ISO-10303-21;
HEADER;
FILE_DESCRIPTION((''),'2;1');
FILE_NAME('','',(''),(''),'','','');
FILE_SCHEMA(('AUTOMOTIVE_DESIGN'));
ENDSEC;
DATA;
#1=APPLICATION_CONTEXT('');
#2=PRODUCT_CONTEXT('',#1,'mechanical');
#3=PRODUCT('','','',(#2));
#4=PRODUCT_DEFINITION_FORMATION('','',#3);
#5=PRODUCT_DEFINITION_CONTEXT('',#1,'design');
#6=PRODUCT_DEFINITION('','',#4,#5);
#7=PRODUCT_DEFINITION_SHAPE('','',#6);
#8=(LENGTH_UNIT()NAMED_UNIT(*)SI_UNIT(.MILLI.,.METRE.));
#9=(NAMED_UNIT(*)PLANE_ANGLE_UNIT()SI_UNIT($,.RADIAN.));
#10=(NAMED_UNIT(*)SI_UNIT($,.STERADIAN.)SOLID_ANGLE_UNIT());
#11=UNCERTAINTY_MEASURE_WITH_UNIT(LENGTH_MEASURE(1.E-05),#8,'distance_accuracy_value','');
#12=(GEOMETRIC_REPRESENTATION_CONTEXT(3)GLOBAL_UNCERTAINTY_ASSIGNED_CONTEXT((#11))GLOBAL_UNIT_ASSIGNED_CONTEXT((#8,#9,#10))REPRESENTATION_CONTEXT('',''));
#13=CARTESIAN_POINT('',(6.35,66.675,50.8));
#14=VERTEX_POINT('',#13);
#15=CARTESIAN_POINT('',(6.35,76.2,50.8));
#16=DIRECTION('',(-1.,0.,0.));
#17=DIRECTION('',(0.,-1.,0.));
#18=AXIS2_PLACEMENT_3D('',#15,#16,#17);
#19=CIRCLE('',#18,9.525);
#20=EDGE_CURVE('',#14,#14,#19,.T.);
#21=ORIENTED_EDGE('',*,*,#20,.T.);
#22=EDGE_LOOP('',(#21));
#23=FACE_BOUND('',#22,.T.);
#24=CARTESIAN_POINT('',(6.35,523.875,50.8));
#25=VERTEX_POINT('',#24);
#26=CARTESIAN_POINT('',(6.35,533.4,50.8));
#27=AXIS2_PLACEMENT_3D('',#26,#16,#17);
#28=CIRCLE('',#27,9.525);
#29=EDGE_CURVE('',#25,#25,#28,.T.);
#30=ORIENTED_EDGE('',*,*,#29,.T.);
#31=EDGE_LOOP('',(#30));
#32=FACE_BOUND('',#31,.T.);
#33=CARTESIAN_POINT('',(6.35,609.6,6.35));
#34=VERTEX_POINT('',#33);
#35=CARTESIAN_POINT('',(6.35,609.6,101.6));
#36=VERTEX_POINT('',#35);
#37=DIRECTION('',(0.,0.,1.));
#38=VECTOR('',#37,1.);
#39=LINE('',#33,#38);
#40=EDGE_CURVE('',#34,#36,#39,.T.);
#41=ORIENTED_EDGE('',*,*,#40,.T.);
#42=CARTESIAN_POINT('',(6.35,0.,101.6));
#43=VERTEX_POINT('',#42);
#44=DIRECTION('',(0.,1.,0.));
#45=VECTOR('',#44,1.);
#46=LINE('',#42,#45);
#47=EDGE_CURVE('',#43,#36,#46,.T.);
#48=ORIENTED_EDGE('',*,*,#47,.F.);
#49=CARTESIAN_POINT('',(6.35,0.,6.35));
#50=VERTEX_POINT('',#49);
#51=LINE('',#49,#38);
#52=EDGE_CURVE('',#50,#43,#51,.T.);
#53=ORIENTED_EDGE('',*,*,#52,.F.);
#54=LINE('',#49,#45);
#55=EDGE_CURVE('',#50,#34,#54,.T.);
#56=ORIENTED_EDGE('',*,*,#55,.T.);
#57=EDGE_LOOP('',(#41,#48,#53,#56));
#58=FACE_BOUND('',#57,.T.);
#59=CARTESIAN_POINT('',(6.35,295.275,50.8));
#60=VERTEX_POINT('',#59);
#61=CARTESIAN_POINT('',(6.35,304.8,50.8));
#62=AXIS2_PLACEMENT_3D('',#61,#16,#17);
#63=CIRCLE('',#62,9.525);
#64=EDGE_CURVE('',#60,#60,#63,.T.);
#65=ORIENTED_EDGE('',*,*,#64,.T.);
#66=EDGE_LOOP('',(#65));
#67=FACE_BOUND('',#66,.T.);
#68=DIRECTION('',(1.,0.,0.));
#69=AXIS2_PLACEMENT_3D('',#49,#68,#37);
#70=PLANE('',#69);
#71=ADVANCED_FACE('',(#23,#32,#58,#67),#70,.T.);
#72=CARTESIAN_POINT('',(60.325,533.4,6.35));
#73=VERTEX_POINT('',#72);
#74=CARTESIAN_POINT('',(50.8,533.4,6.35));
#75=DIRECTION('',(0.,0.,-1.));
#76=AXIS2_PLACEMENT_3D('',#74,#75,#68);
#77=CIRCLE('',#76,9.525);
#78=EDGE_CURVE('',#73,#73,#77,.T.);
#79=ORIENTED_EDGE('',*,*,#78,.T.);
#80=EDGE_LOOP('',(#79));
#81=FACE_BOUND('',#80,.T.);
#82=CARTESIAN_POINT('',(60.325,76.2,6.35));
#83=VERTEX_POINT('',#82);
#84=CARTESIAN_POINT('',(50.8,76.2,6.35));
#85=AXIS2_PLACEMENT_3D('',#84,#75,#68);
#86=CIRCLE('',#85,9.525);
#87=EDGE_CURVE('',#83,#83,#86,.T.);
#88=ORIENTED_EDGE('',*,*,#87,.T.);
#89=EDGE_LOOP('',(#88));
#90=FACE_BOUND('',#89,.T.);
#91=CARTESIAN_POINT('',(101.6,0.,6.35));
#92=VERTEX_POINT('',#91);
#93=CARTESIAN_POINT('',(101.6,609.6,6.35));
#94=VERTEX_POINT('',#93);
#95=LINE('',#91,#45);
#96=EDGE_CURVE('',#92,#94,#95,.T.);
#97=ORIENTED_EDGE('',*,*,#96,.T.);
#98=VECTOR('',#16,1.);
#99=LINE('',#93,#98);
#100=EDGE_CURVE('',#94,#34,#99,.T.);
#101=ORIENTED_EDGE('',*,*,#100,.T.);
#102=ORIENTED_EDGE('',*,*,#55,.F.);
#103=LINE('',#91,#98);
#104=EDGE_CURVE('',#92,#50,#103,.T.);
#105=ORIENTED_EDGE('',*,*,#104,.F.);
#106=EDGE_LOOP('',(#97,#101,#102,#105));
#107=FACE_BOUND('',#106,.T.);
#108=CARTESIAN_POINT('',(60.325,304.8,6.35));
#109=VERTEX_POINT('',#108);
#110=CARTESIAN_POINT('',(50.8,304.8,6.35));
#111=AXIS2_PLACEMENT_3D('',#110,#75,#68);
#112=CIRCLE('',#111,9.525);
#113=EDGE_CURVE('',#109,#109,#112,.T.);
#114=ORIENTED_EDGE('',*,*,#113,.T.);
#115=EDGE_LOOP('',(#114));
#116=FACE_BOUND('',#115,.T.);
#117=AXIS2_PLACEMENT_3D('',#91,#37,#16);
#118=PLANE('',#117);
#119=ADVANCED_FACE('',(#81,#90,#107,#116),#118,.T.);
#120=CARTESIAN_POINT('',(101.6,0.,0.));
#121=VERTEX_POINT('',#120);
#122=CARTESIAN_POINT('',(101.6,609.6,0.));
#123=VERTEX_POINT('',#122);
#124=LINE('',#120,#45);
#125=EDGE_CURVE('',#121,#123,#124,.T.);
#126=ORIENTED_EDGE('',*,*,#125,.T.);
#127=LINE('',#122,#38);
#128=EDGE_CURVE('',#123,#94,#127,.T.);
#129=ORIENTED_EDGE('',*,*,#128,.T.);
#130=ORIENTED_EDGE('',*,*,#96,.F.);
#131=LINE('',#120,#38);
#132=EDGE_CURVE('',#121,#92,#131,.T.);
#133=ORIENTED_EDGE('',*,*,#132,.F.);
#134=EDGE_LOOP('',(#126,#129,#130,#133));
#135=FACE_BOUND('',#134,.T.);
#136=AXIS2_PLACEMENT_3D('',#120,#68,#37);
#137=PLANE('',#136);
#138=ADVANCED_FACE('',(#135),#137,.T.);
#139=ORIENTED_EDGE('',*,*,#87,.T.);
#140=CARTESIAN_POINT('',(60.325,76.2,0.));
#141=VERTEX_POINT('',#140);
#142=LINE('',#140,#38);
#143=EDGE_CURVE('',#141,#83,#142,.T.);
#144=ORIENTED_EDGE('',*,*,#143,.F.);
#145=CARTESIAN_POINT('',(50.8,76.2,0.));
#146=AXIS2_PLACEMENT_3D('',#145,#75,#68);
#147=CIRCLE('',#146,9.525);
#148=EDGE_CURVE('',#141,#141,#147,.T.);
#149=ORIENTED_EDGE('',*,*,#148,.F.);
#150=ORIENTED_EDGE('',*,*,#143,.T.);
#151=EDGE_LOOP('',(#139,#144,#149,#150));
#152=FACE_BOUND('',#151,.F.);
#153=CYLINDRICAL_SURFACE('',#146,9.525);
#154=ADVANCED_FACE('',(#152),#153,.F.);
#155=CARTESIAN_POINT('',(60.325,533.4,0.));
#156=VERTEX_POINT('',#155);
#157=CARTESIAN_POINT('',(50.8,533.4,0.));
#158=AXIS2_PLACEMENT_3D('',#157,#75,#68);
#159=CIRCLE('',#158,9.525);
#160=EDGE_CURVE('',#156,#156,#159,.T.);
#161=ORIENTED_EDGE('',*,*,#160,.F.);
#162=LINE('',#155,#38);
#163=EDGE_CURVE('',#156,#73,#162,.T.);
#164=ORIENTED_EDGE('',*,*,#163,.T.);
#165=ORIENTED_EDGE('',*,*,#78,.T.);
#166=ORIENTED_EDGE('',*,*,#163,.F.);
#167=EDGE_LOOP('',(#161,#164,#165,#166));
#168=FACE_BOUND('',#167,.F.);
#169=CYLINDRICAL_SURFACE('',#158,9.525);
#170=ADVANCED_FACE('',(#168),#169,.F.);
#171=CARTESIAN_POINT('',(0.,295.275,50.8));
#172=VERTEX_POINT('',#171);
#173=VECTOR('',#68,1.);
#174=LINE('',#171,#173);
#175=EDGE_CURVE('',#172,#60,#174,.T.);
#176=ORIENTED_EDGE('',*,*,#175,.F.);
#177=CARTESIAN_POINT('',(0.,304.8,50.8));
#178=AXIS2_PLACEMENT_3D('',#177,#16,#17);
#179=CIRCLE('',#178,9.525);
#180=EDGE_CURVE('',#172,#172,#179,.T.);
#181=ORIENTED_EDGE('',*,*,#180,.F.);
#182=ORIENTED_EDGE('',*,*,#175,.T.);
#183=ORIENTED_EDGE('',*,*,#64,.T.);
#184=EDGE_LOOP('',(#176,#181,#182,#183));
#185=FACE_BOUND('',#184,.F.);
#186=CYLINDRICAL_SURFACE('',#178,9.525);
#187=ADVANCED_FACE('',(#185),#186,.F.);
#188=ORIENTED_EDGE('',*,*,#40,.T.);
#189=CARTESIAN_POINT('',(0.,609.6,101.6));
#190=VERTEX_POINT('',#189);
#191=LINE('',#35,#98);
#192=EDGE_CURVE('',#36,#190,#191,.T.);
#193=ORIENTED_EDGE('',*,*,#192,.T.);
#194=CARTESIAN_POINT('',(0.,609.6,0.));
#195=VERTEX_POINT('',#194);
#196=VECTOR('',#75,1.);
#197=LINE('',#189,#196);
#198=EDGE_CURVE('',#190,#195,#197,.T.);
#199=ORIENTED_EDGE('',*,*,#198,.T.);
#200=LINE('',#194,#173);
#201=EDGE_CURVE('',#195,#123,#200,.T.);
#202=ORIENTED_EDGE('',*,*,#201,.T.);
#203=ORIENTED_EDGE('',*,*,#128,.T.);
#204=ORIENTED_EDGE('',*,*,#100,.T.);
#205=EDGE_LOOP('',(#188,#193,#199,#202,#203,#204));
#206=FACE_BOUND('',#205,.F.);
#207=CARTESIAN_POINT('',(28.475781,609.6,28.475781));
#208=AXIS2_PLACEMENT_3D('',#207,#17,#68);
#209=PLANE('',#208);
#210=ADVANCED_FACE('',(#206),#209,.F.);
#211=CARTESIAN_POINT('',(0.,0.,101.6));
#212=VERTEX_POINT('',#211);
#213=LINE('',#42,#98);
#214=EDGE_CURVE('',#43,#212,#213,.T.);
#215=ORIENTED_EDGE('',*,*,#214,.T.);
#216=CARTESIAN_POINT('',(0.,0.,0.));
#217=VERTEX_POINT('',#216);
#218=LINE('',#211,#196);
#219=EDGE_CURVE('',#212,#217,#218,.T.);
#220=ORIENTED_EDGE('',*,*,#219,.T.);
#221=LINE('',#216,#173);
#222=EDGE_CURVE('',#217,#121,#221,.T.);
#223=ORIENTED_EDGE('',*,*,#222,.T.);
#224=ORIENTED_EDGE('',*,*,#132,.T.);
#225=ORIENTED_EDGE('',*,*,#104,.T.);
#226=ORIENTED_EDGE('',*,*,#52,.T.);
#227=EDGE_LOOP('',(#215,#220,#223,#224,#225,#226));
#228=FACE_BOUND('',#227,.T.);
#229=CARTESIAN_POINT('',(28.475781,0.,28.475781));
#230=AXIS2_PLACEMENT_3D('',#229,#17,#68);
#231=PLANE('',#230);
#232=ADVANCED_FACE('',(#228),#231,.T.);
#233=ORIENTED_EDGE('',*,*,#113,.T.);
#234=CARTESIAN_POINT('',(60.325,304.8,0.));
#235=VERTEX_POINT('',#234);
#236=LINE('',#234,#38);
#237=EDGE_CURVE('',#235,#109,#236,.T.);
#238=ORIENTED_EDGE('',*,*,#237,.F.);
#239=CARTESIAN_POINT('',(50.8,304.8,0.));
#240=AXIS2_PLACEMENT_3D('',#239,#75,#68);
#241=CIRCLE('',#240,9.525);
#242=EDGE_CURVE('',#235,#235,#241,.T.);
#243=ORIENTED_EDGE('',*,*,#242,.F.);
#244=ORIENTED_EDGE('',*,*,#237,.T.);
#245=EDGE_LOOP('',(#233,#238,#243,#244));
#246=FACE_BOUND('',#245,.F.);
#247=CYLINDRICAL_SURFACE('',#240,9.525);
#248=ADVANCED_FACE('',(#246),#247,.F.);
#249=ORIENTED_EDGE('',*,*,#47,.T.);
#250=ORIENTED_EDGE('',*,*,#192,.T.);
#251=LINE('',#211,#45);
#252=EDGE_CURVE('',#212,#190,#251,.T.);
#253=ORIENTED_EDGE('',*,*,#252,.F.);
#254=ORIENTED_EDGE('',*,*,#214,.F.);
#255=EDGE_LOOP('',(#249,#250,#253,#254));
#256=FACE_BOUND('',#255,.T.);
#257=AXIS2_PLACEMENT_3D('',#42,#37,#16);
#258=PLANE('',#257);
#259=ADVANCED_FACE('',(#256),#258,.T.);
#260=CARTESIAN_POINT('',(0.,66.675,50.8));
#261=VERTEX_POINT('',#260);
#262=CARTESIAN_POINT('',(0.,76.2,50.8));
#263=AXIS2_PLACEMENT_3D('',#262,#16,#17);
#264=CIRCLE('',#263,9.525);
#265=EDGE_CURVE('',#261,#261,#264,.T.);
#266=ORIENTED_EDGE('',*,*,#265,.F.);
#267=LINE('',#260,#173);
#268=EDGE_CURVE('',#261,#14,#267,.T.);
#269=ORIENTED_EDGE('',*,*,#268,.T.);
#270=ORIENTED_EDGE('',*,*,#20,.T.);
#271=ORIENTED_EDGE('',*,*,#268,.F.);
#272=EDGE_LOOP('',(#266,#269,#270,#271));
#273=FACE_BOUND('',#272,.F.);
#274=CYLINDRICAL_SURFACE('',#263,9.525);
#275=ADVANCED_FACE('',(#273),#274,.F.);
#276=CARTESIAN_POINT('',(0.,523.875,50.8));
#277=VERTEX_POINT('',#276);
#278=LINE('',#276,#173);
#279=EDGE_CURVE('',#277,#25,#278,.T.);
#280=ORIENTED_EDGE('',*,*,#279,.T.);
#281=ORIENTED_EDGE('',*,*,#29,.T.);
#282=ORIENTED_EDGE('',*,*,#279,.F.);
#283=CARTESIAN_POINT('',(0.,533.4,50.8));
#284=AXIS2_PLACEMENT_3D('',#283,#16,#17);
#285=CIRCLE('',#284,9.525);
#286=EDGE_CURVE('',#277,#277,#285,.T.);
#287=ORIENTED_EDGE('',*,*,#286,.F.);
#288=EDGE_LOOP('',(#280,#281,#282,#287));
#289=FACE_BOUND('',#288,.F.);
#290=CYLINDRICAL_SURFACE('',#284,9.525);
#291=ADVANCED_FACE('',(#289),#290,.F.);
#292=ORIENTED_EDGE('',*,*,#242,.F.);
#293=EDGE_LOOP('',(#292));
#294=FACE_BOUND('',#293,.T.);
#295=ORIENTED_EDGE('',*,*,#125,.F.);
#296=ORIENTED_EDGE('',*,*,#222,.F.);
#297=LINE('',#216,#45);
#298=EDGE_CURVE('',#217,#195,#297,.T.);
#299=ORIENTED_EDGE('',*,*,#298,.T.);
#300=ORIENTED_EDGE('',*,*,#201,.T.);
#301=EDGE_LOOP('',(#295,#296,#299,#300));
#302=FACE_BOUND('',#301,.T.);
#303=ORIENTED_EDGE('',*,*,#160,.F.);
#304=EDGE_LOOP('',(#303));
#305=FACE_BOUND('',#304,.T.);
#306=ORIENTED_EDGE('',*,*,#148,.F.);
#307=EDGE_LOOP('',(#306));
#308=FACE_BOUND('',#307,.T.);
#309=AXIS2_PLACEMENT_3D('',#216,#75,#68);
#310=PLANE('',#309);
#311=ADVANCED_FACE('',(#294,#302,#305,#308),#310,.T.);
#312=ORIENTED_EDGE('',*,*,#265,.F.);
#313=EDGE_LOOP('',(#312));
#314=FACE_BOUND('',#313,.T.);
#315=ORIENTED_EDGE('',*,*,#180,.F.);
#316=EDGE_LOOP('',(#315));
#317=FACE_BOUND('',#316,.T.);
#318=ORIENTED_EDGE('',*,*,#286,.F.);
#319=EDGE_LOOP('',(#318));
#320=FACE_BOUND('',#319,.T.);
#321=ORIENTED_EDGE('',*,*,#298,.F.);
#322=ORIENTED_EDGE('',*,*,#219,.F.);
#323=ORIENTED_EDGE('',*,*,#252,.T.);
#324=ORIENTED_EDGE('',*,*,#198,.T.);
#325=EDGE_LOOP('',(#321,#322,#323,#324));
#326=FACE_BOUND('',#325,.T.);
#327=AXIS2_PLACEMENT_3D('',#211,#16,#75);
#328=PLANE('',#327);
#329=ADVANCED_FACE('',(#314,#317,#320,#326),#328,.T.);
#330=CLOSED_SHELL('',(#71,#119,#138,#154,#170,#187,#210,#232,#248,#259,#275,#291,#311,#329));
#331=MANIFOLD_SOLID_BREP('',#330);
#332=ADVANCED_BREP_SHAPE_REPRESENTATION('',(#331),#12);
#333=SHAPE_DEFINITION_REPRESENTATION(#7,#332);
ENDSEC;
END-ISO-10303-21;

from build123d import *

# Parameters (mm, degrees)
F1_DEPTH = 609.6
F2_R     = 9.525
F3_DEPTH = 25.4
F4_R     = 9.525
F5_DEPTH = 25.4


with BuildPart() as f1:
    # F0 (on Front) → F1 (new body)
    with BuildSketch(Plane.XZ):
        Polygon((0, 101.6), (0, 0), (101.6, 0), (101.6, 6.35), (6.35, 6.35), (6.35, 101.6), align=None)
    extrude(amount=-F1_DEPTH)

    # F2 (on face) → F3 (cut)
    with BuildSketch(Plane(origin=(0, 0, 0), x_dir=(0, -1, 0), z_dir=(-1, 0, 0))):
        with Locations((-533.4, 50.8)):
            Circle(F2_R)
        with Locations((-304.8, 50.8)):
            Circle(F2_R)
        with Locations((-76.2, 50.8)):
            Circle(F2_R)
    extrude(amount=-F3_DEPTH, mode=Mode.SUBTRACT)

    # F4 (on face) → F5 (cut)
    with BuildSketch(Plane(origin=(0, 0, 0), x_dir=(1, 0, 0), z_dir=(0, 0, -1))):
        with Locations((50.8, -533.4)):
            Circle(F4_R)
        with Locations((50.8, -304.8)):
            Circle(F4_R)
        with Locations((50.8, -76.2)):
            Circle(F4_R)
    extrude(amount=-F5_DEPTH, mode=Mode.SUBTRACT)


solid = f1.part
